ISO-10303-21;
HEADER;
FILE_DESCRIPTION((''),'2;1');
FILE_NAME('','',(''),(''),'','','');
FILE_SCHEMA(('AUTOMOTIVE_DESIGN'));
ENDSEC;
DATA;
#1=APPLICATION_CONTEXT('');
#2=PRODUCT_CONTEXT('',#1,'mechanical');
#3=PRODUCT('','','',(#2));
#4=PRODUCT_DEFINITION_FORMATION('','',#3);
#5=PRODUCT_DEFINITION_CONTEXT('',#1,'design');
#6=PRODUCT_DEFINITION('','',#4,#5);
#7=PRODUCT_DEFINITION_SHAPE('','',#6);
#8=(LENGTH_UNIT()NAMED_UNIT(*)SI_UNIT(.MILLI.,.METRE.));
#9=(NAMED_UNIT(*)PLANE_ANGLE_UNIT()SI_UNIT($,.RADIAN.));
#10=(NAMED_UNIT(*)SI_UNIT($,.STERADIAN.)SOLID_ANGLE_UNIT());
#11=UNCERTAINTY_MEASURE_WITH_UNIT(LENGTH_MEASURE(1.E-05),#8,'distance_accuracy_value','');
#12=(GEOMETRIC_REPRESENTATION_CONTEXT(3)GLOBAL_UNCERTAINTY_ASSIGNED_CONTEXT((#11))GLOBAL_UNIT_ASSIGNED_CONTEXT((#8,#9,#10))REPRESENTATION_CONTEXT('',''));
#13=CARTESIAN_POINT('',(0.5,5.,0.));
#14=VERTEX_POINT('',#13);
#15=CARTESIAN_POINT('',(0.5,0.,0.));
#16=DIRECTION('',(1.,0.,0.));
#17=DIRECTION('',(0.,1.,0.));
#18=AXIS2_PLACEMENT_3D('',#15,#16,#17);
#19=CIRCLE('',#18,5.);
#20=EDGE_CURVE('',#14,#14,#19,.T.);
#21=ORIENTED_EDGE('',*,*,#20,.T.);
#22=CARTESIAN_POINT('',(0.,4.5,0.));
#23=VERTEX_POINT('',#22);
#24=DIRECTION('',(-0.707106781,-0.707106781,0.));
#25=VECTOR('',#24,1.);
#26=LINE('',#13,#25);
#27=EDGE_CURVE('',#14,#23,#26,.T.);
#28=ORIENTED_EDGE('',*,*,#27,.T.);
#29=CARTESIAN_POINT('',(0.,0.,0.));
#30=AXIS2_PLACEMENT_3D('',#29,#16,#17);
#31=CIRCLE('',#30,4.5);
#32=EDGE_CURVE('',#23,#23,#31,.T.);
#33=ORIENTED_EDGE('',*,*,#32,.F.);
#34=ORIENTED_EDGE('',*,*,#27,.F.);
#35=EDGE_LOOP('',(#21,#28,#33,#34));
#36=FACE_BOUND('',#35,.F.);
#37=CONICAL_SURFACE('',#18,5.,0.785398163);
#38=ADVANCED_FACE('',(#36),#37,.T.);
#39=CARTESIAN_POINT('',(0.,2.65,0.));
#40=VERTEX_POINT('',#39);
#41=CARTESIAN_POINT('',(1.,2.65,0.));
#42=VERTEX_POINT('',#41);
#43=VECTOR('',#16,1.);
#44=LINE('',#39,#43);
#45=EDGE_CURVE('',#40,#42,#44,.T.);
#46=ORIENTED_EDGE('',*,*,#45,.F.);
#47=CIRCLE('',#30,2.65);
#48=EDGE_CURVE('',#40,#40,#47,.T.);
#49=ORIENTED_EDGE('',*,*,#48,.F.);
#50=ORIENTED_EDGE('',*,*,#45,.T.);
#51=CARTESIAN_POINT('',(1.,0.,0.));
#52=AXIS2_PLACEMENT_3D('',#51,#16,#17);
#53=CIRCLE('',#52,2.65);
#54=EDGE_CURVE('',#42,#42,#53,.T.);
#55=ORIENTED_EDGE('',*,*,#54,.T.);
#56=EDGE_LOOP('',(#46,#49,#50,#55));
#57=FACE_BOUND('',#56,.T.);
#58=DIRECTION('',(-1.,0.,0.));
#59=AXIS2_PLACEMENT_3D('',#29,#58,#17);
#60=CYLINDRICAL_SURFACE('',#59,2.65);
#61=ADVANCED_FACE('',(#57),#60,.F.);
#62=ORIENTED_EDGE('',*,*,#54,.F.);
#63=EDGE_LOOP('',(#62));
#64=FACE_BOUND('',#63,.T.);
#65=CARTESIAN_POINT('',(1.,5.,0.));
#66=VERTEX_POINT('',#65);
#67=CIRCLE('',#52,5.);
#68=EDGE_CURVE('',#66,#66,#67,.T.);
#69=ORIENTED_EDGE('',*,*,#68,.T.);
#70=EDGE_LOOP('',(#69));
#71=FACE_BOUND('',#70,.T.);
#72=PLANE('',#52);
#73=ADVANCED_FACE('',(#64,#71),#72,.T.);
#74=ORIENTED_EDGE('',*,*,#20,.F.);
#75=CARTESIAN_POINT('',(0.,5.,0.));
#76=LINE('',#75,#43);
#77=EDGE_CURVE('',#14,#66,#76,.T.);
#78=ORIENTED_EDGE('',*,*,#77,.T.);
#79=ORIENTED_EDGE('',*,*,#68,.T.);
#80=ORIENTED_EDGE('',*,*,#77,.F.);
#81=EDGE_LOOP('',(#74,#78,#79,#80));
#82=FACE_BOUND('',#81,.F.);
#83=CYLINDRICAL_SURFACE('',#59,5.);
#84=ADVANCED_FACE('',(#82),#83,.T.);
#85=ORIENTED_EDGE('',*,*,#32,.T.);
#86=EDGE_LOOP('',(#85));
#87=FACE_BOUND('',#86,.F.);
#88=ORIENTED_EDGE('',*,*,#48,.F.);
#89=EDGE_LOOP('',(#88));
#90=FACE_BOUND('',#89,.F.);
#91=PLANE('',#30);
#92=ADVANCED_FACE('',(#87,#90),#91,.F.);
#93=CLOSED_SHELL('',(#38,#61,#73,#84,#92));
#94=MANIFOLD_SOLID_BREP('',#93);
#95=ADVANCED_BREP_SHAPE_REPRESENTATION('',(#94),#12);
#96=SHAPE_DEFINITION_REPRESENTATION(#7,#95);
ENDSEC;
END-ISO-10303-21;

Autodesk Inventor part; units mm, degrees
ref_plane "YZ Plane" through (0, 0, 0) normal (1, 0, 0) x (0, 1, 0)
ref_plane "XZ Plane" through (0, 0, 0) normal (0, 1, 0) x (-1, 0, 0)
sketch "Skizze" plane through (0, 0, 0) normal (1, 0, 0) x (0, 1, 0)
  circle A0 centre (0, 0) radius 5
  circle A1 centre (0, 0) radius 2.65
  dimension "d0" = 5.3
  dimension "d1" = 10
extrude "Körper" add sketch "Skizze" along normal blind 1
chamfer "Fase" distance 0.5 angle 45 1 edges at (0, -5, 0) measured on face at (0.6667, 4.9838, -0.4023)
ref_plane "Work Plane1" through (0, 0, 0) normal (0, 1, 0) x (1, 0, 0)
equation "\"d0\" = SD1"
equation "\"d1\" = SD2"
equation "\"d2\" = SD"
equation "\"d4\" = PHH"
equation "\"d8\" = PHH"
equation "\"SD1\" = 5.3"
equation "\"SD2\" = 10"
equation "\"SD\" = 1"
equation "\"PHH\" = 0.5"
equation "\"FAWI\" = 45deg"
equation "\"NND\" = 5"
properties part number "ISO 7090 - 5 - 140 HV" material "Edelstahl"
